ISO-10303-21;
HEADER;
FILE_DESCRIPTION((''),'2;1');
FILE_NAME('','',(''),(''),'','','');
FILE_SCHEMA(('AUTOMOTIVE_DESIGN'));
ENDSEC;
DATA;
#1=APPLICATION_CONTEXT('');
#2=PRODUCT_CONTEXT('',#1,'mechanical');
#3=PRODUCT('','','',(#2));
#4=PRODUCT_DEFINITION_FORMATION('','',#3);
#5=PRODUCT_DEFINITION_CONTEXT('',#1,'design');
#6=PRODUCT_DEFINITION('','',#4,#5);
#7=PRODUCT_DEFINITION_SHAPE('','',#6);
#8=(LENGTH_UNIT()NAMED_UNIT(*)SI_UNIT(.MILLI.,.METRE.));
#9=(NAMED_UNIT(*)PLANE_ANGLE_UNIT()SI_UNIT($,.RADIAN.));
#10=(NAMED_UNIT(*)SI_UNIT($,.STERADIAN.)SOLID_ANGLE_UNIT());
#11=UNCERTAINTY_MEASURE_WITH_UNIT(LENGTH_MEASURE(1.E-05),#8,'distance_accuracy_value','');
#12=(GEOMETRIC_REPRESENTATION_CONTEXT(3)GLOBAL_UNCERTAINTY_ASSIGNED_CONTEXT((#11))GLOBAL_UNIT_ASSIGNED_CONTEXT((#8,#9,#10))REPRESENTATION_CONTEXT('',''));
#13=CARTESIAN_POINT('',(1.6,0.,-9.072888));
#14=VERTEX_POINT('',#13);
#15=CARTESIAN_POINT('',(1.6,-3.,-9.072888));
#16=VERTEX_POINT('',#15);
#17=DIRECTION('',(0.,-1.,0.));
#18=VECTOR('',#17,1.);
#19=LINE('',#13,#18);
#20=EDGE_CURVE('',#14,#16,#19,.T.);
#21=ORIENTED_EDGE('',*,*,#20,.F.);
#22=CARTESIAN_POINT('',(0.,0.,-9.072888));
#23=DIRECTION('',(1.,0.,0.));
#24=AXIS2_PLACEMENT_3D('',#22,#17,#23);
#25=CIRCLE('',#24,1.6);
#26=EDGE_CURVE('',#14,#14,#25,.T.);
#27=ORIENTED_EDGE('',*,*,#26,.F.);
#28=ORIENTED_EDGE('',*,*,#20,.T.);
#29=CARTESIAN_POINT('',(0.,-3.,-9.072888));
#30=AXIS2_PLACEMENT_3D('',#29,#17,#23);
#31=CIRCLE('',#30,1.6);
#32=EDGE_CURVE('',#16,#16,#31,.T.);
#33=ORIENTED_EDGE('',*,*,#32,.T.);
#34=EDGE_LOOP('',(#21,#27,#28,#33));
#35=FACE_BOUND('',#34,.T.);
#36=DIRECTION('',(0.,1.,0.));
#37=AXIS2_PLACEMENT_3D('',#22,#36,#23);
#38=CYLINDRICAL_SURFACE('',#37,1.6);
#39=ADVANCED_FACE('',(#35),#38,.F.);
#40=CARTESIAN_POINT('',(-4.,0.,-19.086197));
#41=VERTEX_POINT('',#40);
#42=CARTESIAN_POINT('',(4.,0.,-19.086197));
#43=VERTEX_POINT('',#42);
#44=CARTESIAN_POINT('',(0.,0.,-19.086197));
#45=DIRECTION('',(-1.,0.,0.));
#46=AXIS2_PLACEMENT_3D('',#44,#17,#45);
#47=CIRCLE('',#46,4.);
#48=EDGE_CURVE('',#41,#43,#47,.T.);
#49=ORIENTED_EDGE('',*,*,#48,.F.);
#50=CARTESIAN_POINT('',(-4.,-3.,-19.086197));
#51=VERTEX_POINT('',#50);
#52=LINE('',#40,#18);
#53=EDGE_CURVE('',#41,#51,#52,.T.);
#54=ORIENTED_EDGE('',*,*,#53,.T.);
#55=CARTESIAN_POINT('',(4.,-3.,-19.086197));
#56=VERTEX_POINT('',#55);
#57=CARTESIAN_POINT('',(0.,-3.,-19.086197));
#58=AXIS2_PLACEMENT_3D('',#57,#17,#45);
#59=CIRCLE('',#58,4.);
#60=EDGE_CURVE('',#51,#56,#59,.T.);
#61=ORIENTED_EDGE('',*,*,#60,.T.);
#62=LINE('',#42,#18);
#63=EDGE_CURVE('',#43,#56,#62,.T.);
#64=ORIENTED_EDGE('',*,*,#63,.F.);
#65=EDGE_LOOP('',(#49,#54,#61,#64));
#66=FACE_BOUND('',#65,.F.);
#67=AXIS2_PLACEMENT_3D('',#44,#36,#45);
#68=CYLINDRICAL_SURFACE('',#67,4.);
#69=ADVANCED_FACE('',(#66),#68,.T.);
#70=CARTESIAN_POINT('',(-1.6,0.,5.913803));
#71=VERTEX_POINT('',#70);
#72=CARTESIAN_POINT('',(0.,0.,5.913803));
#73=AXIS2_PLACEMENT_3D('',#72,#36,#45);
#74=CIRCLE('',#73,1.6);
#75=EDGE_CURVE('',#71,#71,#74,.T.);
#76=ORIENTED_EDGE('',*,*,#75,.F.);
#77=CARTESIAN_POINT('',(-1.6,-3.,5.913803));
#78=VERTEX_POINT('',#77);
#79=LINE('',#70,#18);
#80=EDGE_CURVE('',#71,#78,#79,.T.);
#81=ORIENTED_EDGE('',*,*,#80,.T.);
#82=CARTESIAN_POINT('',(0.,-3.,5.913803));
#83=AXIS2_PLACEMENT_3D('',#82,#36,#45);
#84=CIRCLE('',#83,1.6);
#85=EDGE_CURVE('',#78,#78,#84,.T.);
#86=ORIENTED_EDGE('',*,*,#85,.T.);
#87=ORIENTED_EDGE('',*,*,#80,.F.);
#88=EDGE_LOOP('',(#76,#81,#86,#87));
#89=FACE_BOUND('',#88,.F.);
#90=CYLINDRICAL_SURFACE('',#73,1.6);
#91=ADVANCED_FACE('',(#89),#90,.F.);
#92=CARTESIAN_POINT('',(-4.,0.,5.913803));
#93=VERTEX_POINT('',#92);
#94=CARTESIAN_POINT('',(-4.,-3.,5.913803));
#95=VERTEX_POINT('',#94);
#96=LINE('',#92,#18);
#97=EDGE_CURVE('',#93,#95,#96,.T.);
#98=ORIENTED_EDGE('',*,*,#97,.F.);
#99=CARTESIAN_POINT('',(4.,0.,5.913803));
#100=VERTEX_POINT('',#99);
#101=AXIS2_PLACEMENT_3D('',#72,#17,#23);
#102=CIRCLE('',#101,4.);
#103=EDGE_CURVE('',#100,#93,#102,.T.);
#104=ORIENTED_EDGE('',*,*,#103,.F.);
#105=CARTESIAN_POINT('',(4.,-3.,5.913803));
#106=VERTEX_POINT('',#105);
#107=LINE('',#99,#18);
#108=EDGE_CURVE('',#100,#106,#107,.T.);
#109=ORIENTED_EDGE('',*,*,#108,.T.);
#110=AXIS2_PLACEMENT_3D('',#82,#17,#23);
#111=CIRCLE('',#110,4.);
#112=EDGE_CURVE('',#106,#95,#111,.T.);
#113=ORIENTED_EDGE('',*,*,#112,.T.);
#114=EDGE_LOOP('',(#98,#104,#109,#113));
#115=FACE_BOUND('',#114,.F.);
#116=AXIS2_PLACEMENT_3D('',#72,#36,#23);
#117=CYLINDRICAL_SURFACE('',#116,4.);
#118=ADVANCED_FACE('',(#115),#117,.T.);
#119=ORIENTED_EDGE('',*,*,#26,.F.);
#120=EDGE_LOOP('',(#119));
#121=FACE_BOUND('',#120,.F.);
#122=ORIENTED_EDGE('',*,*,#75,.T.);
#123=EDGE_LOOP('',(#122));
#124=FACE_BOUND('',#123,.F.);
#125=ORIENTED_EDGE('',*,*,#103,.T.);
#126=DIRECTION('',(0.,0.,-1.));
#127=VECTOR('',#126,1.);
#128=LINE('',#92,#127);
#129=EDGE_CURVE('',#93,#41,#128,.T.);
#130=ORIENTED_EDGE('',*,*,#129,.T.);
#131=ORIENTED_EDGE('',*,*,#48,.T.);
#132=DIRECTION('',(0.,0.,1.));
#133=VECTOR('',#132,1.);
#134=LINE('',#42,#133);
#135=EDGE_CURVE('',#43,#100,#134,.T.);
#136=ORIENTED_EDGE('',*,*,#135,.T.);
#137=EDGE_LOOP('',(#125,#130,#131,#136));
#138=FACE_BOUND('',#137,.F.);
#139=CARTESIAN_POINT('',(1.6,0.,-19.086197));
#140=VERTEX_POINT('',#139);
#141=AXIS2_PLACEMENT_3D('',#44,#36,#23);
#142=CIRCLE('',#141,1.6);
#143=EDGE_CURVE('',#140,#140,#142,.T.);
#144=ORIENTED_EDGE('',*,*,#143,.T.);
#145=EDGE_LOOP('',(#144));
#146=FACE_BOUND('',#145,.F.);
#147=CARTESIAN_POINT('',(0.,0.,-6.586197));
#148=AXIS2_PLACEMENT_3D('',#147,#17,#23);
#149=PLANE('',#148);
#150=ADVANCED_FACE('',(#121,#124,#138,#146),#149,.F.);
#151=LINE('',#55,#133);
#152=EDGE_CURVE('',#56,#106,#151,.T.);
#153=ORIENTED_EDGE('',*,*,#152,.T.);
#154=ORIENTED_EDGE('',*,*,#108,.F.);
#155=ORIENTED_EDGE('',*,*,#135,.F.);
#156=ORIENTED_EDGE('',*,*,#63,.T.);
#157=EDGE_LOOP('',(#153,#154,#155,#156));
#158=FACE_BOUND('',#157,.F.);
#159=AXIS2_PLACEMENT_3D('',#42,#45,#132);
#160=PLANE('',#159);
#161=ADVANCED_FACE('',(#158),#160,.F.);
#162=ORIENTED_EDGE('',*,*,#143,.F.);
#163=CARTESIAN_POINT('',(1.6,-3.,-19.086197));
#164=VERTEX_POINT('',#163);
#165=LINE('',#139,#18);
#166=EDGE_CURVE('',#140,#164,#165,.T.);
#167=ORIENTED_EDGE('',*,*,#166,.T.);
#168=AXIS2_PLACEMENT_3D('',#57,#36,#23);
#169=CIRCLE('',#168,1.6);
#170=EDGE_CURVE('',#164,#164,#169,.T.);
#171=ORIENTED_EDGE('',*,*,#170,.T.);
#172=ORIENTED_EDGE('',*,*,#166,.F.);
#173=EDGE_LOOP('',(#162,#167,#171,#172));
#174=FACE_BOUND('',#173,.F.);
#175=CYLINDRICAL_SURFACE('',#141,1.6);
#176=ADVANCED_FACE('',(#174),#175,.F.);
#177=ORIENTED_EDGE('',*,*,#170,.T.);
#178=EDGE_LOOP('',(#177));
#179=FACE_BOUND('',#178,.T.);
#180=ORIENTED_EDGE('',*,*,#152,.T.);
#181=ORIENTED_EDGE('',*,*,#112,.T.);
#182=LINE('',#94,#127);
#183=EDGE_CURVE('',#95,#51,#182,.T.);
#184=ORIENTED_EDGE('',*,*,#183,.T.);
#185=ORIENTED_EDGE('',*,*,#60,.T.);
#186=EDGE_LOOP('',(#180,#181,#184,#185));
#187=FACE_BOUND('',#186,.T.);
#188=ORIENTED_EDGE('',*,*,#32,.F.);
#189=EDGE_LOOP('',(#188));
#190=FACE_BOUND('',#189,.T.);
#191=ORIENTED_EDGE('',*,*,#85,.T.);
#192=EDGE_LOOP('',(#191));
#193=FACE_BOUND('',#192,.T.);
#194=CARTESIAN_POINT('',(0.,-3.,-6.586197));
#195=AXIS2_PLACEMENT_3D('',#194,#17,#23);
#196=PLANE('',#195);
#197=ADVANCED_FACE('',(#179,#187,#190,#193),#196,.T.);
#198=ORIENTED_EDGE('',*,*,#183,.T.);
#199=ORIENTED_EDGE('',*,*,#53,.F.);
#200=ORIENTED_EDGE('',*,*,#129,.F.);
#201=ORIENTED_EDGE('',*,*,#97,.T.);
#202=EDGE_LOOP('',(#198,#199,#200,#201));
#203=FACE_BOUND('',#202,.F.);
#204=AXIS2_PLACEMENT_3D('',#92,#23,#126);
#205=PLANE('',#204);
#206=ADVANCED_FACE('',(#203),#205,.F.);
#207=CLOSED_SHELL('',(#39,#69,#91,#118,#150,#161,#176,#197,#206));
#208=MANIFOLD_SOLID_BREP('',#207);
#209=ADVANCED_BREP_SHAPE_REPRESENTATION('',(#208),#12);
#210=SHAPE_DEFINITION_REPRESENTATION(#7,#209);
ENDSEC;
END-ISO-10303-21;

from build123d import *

# Parameters (mm, degrees)
F0_R     = 1.6
F1_DEPTH = 3


with BuildPart() as f1:
    # F0 (on Front) → F1 (new body)
    with BuildSketch(Plane.XZ):
        with BuildLine():
            Line((4, -19.086197), (4, 5.913803))
            ThreePointArc((4, 5.913803), (0, 1.913803), (-4, 5.913803))
            Line((-4, 5.913803), (-4, -19.086197))
            ThreePointArc((-4, -19.086197), (0, -15.086197), (4, -19.086197))
        make_face()
        with Locations((0, -9.072888)):
            Circle(F0_R, mode=Mode.SUBTRACT)
        with BuildLine():
            Line((1.6, 5.913803), (4, 5.913803))
            ThreePointArc((4, 5.913803), (0, 9.913803), (-4, 5.913803))
            Line((-4, 5.913803), (-1.6, 5.913803))
            ThreePointArc((-1.6, 5.913803), (0, 7.513803), (1.6, 5.913803))
        make_face()
        with BuildLine():
            ThreePointArc((-4, -19.086197), (0, -23.086197), (4, -19.086197))
            Line((4, -19.086197), (1.6, -19.086197))
            ThreePointArc((1.6, -19.086197), (0, -20.686197), (-1.6, -19.086197))
            Line((-1.6, -19.086197), (-4, -19.086197))
        make_face()
        with BuildLine():
            Line((1.6, -19.086197), (4, -19.086197))
            ThreePointArc((4, -19.086197), (0, -15.086197), (-4, -19.086197))
            Line((-4, -19.086197), (-1.6, -19.086197))
            ThreePointArc((-1.6, -19.086197), (0, -17.486197), (1.6, -19.086197))
        make_face()
        with BuildLine():
            ThreePointArc((-4, 5.913803), (0, 1.913803), (4, 5.913803))
            Line((4, 5.913803), (1.6, 5.913803))
            ThreePointArc((1.6, 5.913803), (0, 4.313803), (-1.6, 5.913803))
            Line((-1.6, 5.913803), (-4, 5.913803))
        make_face()
    extrude(amount=F1_DEPTH)


solid = f1.part
